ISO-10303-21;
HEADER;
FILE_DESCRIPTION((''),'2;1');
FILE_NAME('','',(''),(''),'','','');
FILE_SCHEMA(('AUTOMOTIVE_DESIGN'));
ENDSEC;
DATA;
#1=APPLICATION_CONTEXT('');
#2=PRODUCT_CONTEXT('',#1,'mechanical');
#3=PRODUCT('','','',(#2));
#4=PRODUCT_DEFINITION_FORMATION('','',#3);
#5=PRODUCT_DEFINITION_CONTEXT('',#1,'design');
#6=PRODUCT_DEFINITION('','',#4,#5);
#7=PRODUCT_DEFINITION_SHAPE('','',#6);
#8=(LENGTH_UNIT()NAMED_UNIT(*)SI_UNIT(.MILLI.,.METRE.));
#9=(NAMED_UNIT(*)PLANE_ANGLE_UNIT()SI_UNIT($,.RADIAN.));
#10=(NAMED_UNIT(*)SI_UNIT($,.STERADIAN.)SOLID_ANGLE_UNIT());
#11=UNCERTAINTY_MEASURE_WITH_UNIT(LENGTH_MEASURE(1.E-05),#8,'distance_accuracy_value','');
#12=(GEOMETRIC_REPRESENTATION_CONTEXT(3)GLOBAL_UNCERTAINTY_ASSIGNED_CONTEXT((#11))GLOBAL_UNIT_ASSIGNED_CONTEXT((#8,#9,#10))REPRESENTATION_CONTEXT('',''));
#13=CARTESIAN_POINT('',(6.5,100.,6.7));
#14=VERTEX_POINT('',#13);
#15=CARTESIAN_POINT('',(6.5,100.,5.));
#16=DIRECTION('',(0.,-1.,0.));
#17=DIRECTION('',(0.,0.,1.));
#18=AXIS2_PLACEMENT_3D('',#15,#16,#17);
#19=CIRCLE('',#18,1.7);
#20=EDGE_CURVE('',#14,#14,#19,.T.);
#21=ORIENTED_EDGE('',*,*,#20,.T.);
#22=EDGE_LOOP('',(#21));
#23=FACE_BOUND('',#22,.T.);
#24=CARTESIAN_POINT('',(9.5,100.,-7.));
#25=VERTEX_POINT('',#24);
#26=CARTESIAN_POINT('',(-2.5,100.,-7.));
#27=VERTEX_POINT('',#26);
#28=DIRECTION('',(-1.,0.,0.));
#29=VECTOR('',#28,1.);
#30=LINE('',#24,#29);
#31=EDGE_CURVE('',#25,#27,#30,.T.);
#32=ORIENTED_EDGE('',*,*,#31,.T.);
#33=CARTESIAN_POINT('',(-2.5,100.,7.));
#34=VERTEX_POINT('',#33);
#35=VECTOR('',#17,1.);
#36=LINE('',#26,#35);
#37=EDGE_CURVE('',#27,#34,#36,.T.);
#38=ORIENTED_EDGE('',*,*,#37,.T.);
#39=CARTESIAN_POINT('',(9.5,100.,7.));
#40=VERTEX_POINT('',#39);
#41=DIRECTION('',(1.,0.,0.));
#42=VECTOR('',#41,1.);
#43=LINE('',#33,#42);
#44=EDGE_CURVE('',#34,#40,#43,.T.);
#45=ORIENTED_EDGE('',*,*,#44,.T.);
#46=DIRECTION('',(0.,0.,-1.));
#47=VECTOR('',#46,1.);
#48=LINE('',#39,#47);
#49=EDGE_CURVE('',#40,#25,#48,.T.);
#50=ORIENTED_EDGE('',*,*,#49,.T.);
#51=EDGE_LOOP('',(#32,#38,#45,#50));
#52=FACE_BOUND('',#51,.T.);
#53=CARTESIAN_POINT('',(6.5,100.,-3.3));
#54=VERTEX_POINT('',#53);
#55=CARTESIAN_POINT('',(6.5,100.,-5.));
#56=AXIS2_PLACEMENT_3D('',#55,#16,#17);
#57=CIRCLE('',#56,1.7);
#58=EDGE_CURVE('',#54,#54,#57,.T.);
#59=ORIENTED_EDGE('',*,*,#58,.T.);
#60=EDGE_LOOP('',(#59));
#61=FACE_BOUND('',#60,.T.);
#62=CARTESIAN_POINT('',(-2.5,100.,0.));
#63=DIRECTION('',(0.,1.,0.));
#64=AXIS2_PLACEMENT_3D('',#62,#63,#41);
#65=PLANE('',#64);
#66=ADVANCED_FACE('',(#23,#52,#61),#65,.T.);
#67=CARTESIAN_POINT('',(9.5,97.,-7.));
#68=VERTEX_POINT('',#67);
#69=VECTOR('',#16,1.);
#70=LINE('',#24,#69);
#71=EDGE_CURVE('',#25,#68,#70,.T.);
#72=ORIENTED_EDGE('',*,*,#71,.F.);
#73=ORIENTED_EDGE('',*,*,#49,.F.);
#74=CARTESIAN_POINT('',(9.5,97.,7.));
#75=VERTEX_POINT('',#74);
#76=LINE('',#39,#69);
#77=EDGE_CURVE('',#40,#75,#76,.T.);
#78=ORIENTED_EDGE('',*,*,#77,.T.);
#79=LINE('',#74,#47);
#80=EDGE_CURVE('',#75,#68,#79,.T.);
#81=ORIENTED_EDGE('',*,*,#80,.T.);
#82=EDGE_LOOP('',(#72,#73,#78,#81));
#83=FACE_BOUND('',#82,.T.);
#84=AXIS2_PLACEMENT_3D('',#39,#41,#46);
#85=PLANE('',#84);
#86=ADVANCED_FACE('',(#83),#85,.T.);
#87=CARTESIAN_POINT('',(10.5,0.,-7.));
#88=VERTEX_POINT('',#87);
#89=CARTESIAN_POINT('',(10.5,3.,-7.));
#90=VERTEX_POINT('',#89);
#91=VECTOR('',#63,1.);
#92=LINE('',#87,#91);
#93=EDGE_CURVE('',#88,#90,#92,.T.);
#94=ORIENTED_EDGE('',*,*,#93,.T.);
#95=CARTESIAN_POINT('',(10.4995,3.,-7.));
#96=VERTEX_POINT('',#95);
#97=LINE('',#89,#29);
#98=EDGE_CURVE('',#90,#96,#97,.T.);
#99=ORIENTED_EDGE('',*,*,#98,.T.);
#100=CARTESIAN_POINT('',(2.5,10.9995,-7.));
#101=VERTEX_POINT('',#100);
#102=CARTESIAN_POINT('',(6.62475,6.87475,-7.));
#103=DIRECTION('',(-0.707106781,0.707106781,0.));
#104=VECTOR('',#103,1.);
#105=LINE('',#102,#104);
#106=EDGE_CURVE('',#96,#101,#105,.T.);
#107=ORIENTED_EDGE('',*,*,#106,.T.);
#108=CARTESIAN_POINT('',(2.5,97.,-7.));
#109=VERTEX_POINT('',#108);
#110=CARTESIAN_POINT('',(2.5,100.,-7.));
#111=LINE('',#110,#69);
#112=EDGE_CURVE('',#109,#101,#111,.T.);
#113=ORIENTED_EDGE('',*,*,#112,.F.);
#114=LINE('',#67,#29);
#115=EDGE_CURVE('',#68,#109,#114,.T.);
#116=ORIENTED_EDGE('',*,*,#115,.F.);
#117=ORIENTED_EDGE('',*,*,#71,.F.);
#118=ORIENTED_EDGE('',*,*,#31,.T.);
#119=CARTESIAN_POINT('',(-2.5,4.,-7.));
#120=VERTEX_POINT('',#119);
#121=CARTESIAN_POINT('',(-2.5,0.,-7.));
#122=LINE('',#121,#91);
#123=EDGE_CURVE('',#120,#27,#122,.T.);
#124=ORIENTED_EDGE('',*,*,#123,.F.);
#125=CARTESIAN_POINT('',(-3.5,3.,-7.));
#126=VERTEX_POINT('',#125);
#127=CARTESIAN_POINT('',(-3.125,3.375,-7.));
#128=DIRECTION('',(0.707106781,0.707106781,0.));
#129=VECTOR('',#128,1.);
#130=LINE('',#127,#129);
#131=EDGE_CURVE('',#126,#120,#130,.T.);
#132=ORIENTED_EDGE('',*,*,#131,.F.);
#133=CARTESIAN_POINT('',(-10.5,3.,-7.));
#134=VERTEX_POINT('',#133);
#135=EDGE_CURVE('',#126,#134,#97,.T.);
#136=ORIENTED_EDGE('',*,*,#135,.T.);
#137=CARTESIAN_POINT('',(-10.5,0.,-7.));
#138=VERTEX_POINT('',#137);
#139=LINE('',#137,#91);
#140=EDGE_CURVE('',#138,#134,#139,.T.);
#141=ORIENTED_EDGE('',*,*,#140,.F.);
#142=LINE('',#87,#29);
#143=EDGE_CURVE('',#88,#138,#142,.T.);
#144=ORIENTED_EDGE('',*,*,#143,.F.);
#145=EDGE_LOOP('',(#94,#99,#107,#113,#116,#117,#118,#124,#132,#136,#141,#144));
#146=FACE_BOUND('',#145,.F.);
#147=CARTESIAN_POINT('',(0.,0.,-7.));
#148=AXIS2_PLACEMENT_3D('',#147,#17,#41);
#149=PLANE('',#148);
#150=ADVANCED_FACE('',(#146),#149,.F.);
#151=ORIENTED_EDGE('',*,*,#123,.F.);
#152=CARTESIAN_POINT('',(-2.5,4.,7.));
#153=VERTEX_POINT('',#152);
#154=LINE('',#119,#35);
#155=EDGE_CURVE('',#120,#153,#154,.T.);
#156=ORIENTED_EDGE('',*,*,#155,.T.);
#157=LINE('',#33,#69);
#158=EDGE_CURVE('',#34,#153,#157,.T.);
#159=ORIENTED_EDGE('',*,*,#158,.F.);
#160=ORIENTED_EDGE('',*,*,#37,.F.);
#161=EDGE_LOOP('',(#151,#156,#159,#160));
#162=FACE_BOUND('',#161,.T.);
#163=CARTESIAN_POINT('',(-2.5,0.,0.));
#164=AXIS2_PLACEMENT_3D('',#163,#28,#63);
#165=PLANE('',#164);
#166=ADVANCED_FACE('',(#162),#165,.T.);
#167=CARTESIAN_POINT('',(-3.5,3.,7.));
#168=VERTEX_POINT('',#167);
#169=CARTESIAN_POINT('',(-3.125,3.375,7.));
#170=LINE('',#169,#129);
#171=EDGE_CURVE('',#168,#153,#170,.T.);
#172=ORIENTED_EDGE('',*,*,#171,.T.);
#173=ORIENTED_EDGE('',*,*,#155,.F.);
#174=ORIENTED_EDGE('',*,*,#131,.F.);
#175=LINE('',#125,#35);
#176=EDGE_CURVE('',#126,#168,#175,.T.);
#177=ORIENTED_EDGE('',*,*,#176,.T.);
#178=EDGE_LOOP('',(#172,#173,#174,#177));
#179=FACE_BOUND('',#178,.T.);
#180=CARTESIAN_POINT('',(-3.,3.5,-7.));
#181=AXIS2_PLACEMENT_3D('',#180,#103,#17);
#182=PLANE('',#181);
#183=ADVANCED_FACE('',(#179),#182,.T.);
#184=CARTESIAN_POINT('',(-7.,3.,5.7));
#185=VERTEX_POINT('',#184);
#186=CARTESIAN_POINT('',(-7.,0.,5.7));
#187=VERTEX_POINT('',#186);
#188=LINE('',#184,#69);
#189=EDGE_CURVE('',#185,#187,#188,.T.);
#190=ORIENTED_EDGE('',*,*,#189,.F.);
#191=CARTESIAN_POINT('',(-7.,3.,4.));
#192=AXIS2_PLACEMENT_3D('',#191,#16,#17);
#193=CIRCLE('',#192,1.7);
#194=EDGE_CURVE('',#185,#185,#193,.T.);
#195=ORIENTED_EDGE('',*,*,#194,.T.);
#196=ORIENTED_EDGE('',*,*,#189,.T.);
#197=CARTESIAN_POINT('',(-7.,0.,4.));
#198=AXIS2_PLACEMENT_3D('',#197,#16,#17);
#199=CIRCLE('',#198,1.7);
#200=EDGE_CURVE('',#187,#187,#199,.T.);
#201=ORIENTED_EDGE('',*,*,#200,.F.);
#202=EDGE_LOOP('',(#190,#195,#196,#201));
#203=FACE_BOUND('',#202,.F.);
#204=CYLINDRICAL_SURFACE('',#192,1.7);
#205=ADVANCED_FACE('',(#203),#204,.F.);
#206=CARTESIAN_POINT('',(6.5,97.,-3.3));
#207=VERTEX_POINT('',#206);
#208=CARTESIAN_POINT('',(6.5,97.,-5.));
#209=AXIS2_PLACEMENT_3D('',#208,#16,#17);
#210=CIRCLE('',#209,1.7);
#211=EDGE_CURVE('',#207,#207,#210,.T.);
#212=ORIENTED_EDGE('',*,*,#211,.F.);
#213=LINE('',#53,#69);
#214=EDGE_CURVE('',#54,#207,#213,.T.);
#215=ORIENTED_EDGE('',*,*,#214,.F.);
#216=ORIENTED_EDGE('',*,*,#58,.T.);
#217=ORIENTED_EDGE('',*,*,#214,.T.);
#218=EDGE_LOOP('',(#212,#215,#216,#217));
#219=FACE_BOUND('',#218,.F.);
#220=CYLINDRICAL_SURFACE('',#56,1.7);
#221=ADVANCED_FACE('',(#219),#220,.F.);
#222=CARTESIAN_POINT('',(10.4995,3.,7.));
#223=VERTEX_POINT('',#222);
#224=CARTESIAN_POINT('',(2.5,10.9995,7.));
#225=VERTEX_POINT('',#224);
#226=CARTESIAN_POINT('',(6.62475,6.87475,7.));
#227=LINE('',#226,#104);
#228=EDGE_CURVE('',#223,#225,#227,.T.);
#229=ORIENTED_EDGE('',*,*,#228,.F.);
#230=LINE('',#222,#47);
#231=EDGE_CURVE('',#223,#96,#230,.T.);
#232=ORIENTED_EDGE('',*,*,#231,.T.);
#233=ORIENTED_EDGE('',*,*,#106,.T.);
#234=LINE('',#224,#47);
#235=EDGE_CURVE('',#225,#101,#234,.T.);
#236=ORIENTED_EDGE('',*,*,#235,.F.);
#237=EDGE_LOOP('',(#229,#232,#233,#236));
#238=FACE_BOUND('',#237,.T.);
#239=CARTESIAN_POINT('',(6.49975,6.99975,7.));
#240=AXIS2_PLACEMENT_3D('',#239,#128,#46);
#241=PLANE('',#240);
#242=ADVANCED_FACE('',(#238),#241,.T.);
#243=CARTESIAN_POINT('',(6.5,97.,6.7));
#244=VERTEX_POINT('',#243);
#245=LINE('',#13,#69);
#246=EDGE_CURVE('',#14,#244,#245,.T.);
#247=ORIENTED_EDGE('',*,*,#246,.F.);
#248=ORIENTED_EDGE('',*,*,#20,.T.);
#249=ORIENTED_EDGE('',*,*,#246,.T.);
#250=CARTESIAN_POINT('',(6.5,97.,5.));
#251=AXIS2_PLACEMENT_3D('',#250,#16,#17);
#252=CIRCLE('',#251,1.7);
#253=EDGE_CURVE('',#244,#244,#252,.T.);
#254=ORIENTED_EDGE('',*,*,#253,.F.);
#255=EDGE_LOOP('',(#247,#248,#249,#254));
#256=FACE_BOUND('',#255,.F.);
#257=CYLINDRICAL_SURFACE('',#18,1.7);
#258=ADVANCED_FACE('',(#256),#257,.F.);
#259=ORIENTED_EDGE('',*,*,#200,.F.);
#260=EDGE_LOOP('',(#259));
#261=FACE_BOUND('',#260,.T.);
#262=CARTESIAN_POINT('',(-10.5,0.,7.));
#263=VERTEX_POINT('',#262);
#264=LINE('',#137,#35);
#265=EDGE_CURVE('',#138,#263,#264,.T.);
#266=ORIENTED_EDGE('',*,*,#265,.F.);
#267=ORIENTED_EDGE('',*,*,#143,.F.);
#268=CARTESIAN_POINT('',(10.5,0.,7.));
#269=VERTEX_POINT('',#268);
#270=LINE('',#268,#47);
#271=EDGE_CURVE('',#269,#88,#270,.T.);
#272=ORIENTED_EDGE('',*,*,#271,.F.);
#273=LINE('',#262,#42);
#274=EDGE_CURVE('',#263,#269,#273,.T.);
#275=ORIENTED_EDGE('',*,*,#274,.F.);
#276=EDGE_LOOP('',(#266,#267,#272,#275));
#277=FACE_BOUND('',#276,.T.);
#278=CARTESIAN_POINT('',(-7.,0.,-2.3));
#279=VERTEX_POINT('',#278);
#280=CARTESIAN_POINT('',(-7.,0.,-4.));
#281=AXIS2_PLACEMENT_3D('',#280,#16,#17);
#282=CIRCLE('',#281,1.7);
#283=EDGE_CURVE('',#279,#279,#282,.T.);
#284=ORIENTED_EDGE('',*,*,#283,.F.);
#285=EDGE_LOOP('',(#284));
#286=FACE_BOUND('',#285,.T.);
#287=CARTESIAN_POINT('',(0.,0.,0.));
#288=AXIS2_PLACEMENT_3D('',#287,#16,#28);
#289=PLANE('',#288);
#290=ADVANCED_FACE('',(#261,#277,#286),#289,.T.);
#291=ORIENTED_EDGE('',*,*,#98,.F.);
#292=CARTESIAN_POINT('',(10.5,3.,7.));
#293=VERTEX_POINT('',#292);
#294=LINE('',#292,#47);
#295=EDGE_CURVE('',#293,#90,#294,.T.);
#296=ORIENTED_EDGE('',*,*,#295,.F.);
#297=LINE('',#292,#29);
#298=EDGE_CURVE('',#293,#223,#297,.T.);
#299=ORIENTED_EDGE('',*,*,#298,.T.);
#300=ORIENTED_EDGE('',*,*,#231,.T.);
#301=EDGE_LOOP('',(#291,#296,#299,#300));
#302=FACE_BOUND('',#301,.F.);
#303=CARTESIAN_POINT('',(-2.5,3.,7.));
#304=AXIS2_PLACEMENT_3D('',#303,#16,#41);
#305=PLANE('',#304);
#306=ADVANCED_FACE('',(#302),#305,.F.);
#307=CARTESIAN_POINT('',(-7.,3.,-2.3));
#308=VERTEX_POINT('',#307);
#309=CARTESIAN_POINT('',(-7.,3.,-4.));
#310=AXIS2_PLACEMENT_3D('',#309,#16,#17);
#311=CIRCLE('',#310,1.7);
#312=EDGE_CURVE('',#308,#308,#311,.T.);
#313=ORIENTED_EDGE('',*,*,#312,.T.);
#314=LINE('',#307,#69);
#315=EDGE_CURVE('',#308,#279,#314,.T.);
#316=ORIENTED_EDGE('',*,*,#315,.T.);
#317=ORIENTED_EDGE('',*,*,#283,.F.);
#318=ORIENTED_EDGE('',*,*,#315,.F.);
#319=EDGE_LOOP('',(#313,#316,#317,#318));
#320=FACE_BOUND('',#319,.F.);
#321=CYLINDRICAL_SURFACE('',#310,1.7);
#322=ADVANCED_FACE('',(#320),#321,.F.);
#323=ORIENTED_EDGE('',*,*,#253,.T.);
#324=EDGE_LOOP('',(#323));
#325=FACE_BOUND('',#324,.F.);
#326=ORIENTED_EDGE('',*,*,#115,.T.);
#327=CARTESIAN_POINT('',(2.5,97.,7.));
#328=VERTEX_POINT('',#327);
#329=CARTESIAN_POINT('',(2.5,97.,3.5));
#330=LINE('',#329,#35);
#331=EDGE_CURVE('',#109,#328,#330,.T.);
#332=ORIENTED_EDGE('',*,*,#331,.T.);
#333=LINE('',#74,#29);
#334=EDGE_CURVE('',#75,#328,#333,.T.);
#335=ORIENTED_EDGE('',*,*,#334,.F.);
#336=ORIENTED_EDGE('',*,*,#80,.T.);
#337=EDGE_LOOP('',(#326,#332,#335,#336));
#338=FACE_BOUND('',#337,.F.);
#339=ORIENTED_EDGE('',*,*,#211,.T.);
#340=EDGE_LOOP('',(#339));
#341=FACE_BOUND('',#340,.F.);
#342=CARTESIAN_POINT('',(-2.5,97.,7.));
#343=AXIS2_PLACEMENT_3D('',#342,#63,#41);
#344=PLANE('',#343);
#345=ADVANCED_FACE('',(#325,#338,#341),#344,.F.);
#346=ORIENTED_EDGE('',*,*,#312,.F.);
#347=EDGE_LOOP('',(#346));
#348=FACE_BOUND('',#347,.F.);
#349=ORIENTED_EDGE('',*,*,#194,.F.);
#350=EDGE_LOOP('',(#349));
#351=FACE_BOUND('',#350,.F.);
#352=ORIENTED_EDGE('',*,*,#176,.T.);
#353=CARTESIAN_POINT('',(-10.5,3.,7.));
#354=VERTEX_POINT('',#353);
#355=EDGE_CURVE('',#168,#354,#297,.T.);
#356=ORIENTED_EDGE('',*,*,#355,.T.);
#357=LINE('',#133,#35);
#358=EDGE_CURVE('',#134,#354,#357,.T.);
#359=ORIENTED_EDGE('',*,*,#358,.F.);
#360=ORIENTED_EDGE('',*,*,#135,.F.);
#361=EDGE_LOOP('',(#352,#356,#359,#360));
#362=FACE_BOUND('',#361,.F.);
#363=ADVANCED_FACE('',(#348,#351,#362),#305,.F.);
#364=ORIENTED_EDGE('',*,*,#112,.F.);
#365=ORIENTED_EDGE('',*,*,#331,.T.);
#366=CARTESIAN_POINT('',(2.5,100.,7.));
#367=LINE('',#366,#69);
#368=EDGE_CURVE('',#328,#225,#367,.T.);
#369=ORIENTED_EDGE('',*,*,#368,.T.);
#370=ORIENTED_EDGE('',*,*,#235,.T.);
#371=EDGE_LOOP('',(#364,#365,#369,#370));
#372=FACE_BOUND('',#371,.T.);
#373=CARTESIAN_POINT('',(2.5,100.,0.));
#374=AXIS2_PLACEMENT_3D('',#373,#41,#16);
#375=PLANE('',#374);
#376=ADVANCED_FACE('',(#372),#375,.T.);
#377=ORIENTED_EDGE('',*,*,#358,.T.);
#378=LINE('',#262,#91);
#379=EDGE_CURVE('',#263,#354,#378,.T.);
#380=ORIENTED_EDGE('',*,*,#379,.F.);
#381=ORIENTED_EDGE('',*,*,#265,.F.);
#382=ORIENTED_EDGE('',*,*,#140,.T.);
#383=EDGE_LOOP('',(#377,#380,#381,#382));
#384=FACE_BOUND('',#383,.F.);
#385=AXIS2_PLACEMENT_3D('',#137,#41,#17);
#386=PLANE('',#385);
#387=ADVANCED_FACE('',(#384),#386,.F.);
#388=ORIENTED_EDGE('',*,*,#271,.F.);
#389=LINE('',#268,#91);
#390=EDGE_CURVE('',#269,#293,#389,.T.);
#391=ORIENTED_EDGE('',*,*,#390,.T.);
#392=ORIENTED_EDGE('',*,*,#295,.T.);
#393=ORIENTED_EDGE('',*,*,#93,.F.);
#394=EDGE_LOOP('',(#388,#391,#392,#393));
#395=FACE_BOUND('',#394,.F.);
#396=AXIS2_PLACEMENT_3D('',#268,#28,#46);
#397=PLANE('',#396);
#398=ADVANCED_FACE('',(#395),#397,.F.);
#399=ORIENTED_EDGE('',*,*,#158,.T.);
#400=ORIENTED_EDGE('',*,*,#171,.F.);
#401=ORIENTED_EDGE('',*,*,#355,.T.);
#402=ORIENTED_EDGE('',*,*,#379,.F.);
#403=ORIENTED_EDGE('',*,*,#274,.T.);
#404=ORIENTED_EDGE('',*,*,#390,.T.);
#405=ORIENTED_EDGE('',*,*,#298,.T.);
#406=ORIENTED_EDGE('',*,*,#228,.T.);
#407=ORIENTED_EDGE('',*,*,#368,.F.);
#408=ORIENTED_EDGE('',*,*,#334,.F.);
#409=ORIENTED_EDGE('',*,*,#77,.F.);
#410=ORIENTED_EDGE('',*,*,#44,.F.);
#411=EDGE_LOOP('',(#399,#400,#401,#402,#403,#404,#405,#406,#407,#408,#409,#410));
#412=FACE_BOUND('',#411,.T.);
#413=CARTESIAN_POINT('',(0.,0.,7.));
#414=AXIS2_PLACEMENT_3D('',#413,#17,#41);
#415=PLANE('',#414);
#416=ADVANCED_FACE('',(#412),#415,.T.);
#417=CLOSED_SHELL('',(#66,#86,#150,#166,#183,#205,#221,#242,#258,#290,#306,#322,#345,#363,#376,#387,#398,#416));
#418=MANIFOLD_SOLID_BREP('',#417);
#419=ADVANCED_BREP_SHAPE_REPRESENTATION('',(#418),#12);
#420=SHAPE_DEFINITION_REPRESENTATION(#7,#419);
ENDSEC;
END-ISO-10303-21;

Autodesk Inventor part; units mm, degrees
ref_plane "YZ Plane" through (0, 0, 0) normal (1, 0, 0) x (0, 1, 0)
ref_plane "XZ Plane" through (0, 0, 0) normal (0, 1, 0) x (-1, 0, 0)
ref_plane "XY Plane" through (0, 0, 0) normal (0, 0, 1) x (1, 0, 0)
sketch "Sketch1" plane through (0, 0, 0) normal (0, 0, 1) x (1, 0, 0)
  line L0 (-2.5, 100) -> (2.5, 100)
  line L1 (2.5, 100) -> (2.5, 0)
  line L2 (2.5, 0) -> (-2.5, 0)
  line L3 (-2.5, 0) -> (-2.5, 100)
  line L4 (0, -20) -> (0, 120) projected
  line L5 (-3.5, 0) -> (3.5, 0) projected
  point P0 (0, 0)
  point P1 (0, 100)
  dimension "d0" = 5
  dimension "d1" = 100
extrude "Extrusion1" add sketch "Sketch1" along normal mid plane 14
sketch "Sketch2" plane through (-2.5, 100, 7) normal (0, 1, 0) x (1, 0, 0)
  line L0 (5, 0) -> (0, 0) projected
  line L1 (0, 0) -> (12, 0)
  line L2 (12, 0) -> (12, 14)
  line L3 (12, 14) -> (0, 14)
  line L4 (0, 14) -> (0, 0)
  line L5 (0, 14) -> (5, 14) projected
  line L6 (5, 14) -> (5, 0) projected
  point P0 (2.5, 7)
  dimension "d5" = 7
extrude "Extrusion2" add sketch "Sketch2" against normal blind 3
sketch "Sketch3" plane through (-2.5, 100, 7) normal (0, 1, 0) x (1, 0, 0)
  line L0 (12, 0) -> (12, 14) projected
  line L1 (0, 14) -> (12, 14) projected
  line L2 (0, 0) -> (12, 0) projected
  point P0 (2.5, 7)
  point P1 (9, 2)
  point P2 (9, 12)
  dimension "d8" = 3
  dimension "d9" = 2
  dimension "d10" = 2
hole "Hole1" at (6.5, 100, 5) at (6.5, 100, -5) direction (0, -1, 0) diameter 3.4 end through all
sketch "Sketch4" plane through (-2.5, 0, 7) normal (0, -1, 0) x (1, 0, 0)
  line L0 (-8, 0) -> (13, 0)
  line L1 (13, 0) -> (13, -14)
  line L2 (13, -14) -> (-8, -14)
  line L3 (-8, -14) -> (-8, 0)
  line L4 (0, 0) -> (5, 0) projected
  line L5 (5, -14) -> (0, -14) projected
  line L6 (0, -14) -> (0, 0) projected
  line L7 (12, -14) -> (12, 0) projected
  line L8 (5, 0) -> (5, -14) projected
  point P0 (2.5, -7)
  dimension "d18" = 8
  dimension "d20" = 8
extrude "Extrusion3" add sketch "Sketch4" against normal blind 3
sketch "Sketch5" plane through (-2.5, 3, 7) normal (0, 1, 0) x (1, 0, 0)
  line L0 (-4.5, 11) -> (-4.5, 3) construction
  line L1 (-8, 14) -> (-8, 0) construction
  point P0 (2.5, 7)
  point P1 (-4.5, 7)
  point P2 (-8, 7)
  dimension "d23" = 8
  dimension "d24" = 3.5
hole "Hole2" at (-7, 3, -4) at (-7, 3, 4) direction (0, -1, 0) diameter 3.4 end through all
chamfer "Chamfer1" distance 8 angle 45 1 edges at (2.5, 3, 0)
chamfer "Chamfer2" distance 1 angle 45 1 edges at (-2.5, 3, 0)
equation "\"d10\" = d9"
properties part number "compass mount"
